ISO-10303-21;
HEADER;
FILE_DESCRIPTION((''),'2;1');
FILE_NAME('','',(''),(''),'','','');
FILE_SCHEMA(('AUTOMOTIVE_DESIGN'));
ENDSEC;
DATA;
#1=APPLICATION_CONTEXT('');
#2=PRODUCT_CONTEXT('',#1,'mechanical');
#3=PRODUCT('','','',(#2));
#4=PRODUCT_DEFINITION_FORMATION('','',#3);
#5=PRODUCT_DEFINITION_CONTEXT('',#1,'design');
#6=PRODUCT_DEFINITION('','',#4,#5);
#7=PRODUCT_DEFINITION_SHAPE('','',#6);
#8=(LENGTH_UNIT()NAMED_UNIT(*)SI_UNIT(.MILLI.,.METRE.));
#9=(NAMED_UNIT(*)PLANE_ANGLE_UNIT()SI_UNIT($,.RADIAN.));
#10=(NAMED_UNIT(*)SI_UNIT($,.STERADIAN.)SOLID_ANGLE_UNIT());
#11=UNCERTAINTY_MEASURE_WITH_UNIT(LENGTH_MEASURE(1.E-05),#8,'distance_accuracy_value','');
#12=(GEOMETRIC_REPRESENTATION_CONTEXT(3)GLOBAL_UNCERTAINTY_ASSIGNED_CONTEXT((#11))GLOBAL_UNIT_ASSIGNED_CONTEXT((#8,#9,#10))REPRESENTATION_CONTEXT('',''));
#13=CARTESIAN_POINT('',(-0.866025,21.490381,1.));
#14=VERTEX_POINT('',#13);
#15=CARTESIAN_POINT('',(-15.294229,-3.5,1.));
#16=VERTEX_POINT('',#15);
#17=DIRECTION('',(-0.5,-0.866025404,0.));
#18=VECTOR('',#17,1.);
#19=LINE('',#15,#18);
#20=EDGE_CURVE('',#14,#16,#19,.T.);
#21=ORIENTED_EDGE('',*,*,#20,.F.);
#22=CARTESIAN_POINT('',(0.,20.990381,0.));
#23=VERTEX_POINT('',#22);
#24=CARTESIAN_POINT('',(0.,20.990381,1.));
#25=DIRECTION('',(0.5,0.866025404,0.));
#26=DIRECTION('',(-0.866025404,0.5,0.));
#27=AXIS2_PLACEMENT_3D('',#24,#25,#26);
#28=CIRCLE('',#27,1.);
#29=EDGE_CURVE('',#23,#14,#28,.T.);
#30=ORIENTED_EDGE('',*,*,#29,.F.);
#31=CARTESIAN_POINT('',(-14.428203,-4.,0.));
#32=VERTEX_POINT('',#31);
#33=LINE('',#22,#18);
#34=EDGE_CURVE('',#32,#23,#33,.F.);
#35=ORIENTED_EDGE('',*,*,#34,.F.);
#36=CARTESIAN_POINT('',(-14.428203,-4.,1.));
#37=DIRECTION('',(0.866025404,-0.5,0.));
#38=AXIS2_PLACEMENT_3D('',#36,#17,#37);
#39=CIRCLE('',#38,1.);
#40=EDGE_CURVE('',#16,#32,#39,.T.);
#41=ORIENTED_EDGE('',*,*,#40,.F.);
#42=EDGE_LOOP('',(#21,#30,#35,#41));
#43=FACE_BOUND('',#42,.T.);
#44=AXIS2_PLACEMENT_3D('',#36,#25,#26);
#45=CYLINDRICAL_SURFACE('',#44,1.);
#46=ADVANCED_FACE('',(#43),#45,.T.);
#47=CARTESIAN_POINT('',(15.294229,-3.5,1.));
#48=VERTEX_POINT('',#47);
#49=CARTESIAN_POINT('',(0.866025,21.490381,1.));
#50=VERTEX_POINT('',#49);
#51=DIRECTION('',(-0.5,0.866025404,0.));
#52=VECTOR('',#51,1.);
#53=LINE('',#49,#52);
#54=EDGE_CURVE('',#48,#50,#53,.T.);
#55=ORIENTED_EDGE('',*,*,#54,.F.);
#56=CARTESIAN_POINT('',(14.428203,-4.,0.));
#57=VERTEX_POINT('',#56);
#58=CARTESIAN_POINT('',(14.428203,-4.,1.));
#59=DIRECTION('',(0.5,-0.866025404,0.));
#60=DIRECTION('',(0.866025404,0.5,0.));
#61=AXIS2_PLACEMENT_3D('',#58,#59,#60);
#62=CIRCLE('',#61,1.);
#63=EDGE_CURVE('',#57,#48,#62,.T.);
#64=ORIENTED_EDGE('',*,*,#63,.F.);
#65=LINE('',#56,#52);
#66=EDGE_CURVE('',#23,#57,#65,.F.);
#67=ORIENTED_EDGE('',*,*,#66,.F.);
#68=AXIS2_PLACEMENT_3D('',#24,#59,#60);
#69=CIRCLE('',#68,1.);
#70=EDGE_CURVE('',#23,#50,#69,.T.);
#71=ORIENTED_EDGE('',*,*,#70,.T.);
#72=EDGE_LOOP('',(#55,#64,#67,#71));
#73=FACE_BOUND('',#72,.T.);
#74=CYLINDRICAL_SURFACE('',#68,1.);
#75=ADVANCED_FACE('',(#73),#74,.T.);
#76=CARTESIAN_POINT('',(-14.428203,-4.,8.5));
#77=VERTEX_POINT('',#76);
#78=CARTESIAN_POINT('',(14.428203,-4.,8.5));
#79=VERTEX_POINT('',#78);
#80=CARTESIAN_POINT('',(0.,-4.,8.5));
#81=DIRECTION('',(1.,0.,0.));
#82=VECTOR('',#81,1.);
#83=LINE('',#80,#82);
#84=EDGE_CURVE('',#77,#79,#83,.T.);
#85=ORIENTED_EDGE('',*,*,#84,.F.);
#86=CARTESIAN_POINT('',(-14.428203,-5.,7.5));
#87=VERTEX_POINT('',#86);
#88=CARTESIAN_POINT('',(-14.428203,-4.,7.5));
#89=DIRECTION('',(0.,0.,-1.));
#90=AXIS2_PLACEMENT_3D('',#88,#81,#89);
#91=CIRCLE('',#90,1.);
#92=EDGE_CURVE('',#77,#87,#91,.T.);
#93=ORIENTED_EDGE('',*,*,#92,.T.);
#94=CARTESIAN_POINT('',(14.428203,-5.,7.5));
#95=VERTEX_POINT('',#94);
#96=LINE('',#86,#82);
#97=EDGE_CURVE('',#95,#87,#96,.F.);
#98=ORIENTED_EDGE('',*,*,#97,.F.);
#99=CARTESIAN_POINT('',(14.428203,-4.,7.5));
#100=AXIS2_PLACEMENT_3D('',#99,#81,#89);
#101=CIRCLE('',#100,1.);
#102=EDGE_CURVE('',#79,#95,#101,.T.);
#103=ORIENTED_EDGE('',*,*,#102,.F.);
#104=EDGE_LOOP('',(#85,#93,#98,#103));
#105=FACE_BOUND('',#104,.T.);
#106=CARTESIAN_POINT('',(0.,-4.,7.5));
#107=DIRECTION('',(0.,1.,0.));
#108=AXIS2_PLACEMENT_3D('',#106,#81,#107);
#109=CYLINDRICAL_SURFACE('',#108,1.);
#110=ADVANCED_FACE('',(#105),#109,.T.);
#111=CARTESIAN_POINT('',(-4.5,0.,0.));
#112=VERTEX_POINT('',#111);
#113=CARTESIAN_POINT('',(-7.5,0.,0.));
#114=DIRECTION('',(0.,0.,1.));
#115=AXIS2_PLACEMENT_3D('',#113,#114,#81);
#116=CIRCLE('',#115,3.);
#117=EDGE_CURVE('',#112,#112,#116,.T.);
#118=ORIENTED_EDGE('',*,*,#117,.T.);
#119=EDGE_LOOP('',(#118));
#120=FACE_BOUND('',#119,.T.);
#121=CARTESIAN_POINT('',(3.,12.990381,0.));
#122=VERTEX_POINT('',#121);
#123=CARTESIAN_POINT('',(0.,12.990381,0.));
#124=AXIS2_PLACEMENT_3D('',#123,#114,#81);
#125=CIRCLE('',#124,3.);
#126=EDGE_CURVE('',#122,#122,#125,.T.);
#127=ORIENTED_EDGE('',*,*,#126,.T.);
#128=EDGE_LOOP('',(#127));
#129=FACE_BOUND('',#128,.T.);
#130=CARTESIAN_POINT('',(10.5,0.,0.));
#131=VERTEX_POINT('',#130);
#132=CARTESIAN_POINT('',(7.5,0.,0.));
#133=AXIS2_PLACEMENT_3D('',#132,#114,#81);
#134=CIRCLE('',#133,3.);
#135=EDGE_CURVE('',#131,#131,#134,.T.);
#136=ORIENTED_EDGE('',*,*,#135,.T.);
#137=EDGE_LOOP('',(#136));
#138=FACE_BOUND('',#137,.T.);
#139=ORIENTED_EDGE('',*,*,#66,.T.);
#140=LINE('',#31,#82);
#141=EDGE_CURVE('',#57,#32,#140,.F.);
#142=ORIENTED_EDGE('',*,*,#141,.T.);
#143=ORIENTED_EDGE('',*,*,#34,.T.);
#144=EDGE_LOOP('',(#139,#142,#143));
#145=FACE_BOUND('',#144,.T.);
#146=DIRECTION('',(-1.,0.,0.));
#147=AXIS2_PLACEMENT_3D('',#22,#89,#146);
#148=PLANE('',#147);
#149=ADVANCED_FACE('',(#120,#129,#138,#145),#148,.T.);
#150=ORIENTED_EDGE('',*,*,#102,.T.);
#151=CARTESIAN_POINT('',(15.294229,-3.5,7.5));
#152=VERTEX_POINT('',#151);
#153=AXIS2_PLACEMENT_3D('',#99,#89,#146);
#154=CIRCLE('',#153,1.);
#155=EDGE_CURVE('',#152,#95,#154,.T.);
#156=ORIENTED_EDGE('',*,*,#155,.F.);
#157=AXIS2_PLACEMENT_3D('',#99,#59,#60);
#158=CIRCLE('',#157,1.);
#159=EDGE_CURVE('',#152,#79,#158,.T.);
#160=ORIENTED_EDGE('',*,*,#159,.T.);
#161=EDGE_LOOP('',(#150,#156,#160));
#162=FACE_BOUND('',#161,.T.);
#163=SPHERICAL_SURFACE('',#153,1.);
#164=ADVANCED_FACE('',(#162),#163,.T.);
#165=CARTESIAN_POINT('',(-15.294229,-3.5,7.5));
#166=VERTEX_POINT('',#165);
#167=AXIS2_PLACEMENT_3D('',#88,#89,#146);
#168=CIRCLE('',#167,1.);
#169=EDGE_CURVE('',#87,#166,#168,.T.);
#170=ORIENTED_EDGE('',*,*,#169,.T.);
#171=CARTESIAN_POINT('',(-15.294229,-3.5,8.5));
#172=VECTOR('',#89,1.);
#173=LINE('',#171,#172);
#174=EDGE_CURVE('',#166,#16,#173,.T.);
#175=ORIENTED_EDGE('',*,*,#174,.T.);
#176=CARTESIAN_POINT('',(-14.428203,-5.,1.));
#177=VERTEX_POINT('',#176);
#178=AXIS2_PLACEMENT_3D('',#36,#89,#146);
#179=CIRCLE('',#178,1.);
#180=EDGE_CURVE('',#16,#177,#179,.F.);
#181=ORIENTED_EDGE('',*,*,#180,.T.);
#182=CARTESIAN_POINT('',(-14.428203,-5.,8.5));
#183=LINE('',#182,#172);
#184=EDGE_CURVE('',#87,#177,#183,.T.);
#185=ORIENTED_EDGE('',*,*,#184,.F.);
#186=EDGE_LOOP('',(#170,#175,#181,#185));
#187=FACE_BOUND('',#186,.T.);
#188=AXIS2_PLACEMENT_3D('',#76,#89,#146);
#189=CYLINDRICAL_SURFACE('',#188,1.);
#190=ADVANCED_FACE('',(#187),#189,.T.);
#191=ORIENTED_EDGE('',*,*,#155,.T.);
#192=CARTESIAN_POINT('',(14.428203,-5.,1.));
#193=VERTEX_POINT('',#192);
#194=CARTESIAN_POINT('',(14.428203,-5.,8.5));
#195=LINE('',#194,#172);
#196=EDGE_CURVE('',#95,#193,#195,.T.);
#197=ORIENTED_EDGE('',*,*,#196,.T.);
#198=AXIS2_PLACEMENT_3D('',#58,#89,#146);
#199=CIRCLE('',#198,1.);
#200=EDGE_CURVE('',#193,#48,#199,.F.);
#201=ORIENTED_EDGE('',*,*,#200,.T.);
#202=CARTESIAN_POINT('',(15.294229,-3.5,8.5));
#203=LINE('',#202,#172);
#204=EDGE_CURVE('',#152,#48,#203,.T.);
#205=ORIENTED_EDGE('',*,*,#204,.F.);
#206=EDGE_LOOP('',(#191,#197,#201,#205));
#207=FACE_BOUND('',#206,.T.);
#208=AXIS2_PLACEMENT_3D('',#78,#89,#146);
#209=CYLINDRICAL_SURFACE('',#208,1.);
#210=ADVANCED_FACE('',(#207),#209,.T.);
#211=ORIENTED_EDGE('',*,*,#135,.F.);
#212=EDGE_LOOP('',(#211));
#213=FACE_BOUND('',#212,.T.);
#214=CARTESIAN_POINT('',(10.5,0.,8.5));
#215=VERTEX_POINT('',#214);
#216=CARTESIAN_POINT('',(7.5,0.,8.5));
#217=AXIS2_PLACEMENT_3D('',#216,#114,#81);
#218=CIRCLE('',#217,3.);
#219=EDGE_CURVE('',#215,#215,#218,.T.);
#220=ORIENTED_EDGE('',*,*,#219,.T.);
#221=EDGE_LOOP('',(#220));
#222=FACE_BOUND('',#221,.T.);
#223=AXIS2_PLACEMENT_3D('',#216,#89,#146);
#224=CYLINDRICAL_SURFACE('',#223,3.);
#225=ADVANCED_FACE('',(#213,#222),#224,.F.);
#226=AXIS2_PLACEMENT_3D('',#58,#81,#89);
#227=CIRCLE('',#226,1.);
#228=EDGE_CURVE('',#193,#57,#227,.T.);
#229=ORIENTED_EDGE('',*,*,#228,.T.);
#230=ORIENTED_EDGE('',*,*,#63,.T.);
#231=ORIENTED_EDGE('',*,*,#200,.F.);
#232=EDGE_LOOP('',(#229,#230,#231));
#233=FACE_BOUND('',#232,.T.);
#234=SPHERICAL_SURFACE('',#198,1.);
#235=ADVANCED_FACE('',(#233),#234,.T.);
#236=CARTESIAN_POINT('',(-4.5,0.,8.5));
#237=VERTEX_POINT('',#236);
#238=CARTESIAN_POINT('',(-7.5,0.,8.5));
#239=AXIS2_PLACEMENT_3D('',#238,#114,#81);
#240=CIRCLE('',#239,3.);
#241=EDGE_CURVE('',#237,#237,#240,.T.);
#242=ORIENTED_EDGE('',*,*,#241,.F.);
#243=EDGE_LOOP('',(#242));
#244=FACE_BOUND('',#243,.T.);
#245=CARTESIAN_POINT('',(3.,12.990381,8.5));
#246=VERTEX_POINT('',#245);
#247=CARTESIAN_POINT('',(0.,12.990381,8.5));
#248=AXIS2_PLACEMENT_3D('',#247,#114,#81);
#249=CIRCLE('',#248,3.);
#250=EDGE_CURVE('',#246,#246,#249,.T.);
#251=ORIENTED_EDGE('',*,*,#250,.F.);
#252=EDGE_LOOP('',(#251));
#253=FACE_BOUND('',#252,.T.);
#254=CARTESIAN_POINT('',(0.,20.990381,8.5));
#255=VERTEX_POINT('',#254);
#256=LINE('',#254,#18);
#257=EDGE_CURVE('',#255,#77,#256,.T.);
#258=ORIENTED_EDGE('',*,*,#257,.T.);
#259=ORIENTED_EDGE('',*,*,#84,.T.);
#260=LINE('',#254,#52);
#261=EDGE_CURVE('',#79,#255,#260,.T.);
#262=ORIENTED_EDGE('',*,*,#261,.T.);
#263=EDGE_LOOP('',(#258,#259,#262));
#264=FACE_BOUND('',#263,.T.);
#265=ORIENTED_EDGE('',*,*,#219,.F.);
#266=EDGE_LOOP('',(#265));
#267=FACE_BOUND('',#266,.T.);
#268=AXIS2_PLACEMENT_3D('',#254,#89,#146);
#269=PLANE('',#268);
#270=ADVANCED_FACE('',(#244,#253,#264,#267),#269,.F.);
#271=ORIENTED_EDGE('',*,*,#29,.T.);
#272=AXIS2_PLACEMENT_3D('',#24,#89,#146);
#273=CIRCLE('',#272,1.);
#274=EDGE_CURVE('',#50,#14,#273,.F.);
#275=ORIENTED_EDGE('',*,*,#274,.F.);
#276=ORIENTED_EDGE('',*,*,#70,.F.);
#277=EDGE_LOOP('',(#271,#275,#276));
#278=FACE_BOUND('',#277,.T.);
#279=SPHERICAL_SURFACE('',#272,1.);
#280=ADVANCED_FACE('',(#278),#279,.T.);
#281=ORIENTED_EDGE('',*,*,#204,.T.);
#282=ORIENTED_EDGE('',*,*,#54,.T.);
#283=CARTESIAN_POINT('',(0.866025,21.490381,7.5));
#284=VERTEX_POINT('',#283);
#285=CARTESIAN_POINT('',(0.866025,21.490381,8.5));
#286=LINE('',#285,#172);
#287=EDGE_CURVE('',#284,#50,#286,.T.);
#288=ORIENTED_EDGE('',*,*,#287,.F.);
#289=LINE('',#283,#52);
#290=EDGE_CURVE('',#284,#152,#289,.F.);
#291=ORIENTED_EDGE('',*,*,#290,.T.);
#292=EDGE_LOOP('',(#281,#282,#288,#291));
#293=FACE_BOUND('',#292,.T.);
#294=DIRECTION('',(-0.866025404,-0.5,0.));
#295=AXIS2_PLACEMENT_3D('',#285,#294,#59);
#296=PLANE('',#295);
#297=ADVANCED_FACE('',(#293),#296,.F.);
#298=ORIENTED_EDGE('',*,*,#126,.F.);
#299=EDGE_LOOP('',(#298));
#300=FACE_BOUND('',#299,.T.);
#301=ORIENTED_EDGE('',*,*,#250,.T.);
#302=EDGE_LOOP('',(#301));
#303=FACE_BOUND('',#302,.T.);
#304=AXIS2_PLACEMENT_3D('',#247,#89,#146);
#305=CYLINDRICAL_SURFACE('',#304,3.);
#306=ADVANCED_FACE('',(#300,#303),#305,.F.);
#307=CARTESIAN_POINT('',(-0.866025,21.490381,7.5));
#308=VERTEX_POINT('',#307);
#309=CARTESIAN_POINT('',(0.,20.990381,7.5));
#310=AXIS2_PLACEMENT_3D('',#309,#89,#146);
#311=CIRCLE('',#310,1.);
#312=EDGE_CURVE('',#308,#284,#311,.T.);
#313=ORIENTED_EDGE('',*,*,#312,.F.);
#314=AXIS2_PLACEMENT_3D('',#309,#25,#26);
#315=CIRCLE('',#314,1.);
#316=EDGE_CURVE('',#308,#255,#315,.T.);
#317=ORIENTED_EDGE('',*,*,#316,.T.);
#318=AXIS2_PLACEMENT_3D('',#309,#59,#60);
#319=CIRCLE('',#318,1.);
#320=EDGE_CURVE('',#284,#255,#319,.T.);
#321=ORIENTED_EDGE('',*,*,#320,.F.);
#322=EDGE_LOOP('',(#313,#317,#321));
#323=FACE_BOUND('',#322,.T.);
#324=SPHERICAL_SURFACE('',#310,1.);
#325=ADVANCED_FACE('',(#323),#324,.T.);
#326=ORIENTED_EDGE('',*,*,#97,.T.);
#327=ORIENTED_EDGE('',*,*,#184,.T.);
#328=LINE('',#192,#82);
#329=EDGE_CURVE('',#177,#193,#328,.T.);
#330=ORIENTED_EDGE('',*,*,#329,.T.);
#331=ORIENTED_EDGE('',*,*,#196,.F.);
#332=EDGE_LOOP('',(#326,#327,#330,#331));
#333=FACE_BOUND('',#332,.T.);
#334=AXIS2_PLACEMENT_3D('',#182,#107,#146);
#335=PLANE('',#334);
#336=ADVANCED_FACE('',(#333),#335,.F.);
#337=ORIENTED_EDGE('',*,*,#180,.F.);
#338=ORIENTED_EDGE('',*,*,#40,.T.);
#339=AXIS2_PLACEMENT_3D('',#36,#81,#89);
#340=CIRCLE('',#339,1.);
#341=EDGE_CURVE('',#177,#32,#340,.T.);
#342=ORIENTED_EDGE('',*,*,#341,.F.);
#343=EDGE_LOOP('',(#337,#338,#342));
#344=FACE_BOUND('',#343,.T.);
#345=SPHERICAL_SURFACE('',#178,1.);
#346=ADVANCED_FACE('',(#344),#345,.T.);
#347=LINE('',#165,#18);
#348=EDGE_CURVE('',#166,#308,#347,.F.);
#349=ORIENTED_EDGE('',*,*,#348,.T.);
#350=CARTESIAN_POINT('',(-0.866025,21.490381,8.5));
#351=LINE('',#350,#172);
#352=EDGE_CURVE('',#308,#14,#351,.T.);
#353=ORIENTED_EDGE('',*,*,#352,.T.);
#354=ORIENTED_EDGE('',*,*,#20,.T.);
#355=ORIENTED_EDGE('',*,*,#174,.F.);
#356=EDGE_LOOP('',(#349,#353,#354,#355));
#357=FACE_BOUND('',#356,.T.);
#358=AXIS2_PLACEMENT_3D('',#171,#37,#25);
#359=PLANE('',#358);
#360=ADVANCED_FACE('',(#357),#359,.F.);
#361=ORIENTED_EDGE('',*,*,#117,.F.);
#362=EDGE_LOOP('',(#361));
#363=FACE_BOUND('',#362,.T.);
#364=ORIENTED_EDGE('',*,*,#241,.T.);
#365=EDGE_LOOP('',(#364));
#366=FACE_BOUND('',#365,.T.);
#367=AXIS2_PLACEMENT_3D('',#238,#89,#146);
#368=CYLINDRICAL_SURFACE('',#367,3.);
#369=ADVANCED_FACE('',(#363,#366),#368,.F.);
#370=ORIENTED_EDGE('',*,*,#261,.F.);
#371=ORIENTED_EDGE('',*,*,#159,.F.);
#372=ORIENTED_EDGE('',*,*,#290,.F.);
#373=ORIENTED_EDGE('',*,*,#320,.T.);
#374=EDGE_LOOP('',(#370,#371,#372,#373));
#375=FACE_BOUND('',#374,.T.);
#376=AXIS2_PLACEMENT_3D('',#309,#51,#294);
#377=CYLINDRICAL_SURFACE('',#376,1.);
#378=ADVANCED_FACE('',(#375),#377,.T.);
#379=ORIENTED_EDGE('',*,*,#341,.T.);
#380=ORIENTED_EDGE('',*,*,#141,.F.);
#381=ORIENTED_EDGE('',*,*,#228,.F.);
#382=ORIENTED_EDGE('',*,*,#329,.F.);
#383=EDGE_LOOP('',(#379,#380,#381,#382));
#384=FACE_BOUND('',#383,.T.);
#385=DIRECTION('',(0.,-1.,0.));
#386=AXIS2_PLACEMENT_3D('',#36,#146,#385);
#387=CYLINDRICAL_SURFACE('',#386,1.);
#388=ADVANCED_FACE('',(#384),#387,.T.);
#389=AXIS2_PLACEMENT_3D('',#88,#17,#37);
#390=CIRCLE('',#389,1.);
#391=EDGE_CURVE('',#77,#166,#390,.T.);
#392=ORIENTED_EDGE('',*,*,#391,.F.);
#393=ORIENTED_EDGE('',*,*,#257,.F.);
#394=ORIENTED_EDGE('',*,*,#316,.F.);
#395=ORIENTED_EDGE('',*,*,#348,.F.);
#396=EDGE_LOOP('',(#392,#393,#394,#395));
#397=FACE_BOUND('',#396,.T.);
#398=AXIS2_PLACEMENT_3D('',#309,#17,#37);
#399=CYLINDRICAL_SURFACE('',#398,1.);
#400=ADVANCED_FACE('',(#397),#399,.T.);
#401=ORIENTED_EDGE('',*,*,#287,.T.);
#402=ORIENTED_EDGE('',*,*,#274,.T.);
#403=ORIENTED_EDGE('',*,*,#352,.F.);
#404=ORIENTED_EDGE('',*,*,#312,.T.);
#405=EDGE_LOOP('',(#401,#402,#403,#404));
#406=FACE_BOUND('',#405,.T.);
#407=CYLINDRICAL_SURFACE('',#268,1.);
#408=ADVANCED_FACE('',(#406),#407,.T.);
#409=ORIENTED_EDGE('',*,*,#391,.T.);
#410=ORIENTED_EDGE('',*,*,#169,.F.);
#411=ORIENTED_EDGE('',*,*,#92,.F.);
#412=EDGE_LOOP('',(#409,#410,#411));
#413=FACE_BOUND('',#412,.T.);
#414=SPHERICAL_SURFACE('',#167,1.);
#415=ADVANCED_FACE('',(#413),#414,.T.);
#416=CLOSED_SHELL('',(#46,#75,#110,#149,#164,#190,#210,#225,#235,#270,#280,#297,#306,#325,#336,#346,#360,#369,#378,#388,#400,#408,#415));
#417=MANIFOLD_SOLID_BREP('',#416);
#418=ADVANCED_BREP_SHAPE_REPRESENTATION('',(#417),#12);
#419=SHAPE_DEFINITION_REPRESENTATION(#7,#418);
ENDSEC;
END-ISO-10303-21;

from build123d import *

# Parameters (mm, degrees)
ESQUISSE1_R        = 3
BOSS_EXTRU_1_DEPTH = 8.5
CONG_1_R           = 1


with BuildPart() as part:
    # Esquisse1 → Boss.-Extru.1 (new body)
    with BuildSketch(Plane.XY):
        with BuildLine():
            Line((0.866025404, 21.490381057), (15.294228634, -3.5))
            ThreePointArc((15.294228634, -3.5), (15.294228634, -4.5), (14.42820323, -5))
            Line((14.42820323, -5), (-14.42820323, -5))
            ThreePointArc((-14.42820323, -5), (-15.294228634, -4.5), (-15.294228634, -3.5))
            Line((-15.294228634, -3.5), (-0.866025404, 21.490381057))
            ThreePointArc((-0.866025404, 21.490381057), (0, 21.990381057), (0.866025404, 21.490381057))
        make_face()
        with Locations((-7.5, 0)):
            Circle(ESQUISSE1_R, mode=Mode.SUBTRACT)
        with Locations((7.5, 0)):
            Circle(ESQUISSE1_R, mode=Mode.SUBTRACT)
        with Locations((0, 12.990381057)):
            Circle(ESQUISSE1_R, mode=Mode.SUBTRACT)
    extrude(amount=BOSS_EXTRU_1_DEPTH)

    # Congé1
    cong_1_edges = [part.edges().sort_by_distance(p)[0] for p in [
        (-15.294228634, -4.5, 8.5),
        (0, -5, 8.5),
        (15.294228634, -4.5, 8.5),
        (8.080127019, 8.995190528, 8.5),
        (0, 21.990381057, 8.5),
        (8.080127019, 8.995190528, 0),
        (15.294228634, -4.5, 0),
        (0, -5, 0),
        (-15.294228634, -4.5, 0),
        (-8.080127019, 8.995190528, 0),
        (0, 21.990381057, 0),
        (-8.080127019, 8.995190528, 8.5),
    ]]
    fillet(cong_1_edges, radius=CONG_1_R)


solid = part.part
